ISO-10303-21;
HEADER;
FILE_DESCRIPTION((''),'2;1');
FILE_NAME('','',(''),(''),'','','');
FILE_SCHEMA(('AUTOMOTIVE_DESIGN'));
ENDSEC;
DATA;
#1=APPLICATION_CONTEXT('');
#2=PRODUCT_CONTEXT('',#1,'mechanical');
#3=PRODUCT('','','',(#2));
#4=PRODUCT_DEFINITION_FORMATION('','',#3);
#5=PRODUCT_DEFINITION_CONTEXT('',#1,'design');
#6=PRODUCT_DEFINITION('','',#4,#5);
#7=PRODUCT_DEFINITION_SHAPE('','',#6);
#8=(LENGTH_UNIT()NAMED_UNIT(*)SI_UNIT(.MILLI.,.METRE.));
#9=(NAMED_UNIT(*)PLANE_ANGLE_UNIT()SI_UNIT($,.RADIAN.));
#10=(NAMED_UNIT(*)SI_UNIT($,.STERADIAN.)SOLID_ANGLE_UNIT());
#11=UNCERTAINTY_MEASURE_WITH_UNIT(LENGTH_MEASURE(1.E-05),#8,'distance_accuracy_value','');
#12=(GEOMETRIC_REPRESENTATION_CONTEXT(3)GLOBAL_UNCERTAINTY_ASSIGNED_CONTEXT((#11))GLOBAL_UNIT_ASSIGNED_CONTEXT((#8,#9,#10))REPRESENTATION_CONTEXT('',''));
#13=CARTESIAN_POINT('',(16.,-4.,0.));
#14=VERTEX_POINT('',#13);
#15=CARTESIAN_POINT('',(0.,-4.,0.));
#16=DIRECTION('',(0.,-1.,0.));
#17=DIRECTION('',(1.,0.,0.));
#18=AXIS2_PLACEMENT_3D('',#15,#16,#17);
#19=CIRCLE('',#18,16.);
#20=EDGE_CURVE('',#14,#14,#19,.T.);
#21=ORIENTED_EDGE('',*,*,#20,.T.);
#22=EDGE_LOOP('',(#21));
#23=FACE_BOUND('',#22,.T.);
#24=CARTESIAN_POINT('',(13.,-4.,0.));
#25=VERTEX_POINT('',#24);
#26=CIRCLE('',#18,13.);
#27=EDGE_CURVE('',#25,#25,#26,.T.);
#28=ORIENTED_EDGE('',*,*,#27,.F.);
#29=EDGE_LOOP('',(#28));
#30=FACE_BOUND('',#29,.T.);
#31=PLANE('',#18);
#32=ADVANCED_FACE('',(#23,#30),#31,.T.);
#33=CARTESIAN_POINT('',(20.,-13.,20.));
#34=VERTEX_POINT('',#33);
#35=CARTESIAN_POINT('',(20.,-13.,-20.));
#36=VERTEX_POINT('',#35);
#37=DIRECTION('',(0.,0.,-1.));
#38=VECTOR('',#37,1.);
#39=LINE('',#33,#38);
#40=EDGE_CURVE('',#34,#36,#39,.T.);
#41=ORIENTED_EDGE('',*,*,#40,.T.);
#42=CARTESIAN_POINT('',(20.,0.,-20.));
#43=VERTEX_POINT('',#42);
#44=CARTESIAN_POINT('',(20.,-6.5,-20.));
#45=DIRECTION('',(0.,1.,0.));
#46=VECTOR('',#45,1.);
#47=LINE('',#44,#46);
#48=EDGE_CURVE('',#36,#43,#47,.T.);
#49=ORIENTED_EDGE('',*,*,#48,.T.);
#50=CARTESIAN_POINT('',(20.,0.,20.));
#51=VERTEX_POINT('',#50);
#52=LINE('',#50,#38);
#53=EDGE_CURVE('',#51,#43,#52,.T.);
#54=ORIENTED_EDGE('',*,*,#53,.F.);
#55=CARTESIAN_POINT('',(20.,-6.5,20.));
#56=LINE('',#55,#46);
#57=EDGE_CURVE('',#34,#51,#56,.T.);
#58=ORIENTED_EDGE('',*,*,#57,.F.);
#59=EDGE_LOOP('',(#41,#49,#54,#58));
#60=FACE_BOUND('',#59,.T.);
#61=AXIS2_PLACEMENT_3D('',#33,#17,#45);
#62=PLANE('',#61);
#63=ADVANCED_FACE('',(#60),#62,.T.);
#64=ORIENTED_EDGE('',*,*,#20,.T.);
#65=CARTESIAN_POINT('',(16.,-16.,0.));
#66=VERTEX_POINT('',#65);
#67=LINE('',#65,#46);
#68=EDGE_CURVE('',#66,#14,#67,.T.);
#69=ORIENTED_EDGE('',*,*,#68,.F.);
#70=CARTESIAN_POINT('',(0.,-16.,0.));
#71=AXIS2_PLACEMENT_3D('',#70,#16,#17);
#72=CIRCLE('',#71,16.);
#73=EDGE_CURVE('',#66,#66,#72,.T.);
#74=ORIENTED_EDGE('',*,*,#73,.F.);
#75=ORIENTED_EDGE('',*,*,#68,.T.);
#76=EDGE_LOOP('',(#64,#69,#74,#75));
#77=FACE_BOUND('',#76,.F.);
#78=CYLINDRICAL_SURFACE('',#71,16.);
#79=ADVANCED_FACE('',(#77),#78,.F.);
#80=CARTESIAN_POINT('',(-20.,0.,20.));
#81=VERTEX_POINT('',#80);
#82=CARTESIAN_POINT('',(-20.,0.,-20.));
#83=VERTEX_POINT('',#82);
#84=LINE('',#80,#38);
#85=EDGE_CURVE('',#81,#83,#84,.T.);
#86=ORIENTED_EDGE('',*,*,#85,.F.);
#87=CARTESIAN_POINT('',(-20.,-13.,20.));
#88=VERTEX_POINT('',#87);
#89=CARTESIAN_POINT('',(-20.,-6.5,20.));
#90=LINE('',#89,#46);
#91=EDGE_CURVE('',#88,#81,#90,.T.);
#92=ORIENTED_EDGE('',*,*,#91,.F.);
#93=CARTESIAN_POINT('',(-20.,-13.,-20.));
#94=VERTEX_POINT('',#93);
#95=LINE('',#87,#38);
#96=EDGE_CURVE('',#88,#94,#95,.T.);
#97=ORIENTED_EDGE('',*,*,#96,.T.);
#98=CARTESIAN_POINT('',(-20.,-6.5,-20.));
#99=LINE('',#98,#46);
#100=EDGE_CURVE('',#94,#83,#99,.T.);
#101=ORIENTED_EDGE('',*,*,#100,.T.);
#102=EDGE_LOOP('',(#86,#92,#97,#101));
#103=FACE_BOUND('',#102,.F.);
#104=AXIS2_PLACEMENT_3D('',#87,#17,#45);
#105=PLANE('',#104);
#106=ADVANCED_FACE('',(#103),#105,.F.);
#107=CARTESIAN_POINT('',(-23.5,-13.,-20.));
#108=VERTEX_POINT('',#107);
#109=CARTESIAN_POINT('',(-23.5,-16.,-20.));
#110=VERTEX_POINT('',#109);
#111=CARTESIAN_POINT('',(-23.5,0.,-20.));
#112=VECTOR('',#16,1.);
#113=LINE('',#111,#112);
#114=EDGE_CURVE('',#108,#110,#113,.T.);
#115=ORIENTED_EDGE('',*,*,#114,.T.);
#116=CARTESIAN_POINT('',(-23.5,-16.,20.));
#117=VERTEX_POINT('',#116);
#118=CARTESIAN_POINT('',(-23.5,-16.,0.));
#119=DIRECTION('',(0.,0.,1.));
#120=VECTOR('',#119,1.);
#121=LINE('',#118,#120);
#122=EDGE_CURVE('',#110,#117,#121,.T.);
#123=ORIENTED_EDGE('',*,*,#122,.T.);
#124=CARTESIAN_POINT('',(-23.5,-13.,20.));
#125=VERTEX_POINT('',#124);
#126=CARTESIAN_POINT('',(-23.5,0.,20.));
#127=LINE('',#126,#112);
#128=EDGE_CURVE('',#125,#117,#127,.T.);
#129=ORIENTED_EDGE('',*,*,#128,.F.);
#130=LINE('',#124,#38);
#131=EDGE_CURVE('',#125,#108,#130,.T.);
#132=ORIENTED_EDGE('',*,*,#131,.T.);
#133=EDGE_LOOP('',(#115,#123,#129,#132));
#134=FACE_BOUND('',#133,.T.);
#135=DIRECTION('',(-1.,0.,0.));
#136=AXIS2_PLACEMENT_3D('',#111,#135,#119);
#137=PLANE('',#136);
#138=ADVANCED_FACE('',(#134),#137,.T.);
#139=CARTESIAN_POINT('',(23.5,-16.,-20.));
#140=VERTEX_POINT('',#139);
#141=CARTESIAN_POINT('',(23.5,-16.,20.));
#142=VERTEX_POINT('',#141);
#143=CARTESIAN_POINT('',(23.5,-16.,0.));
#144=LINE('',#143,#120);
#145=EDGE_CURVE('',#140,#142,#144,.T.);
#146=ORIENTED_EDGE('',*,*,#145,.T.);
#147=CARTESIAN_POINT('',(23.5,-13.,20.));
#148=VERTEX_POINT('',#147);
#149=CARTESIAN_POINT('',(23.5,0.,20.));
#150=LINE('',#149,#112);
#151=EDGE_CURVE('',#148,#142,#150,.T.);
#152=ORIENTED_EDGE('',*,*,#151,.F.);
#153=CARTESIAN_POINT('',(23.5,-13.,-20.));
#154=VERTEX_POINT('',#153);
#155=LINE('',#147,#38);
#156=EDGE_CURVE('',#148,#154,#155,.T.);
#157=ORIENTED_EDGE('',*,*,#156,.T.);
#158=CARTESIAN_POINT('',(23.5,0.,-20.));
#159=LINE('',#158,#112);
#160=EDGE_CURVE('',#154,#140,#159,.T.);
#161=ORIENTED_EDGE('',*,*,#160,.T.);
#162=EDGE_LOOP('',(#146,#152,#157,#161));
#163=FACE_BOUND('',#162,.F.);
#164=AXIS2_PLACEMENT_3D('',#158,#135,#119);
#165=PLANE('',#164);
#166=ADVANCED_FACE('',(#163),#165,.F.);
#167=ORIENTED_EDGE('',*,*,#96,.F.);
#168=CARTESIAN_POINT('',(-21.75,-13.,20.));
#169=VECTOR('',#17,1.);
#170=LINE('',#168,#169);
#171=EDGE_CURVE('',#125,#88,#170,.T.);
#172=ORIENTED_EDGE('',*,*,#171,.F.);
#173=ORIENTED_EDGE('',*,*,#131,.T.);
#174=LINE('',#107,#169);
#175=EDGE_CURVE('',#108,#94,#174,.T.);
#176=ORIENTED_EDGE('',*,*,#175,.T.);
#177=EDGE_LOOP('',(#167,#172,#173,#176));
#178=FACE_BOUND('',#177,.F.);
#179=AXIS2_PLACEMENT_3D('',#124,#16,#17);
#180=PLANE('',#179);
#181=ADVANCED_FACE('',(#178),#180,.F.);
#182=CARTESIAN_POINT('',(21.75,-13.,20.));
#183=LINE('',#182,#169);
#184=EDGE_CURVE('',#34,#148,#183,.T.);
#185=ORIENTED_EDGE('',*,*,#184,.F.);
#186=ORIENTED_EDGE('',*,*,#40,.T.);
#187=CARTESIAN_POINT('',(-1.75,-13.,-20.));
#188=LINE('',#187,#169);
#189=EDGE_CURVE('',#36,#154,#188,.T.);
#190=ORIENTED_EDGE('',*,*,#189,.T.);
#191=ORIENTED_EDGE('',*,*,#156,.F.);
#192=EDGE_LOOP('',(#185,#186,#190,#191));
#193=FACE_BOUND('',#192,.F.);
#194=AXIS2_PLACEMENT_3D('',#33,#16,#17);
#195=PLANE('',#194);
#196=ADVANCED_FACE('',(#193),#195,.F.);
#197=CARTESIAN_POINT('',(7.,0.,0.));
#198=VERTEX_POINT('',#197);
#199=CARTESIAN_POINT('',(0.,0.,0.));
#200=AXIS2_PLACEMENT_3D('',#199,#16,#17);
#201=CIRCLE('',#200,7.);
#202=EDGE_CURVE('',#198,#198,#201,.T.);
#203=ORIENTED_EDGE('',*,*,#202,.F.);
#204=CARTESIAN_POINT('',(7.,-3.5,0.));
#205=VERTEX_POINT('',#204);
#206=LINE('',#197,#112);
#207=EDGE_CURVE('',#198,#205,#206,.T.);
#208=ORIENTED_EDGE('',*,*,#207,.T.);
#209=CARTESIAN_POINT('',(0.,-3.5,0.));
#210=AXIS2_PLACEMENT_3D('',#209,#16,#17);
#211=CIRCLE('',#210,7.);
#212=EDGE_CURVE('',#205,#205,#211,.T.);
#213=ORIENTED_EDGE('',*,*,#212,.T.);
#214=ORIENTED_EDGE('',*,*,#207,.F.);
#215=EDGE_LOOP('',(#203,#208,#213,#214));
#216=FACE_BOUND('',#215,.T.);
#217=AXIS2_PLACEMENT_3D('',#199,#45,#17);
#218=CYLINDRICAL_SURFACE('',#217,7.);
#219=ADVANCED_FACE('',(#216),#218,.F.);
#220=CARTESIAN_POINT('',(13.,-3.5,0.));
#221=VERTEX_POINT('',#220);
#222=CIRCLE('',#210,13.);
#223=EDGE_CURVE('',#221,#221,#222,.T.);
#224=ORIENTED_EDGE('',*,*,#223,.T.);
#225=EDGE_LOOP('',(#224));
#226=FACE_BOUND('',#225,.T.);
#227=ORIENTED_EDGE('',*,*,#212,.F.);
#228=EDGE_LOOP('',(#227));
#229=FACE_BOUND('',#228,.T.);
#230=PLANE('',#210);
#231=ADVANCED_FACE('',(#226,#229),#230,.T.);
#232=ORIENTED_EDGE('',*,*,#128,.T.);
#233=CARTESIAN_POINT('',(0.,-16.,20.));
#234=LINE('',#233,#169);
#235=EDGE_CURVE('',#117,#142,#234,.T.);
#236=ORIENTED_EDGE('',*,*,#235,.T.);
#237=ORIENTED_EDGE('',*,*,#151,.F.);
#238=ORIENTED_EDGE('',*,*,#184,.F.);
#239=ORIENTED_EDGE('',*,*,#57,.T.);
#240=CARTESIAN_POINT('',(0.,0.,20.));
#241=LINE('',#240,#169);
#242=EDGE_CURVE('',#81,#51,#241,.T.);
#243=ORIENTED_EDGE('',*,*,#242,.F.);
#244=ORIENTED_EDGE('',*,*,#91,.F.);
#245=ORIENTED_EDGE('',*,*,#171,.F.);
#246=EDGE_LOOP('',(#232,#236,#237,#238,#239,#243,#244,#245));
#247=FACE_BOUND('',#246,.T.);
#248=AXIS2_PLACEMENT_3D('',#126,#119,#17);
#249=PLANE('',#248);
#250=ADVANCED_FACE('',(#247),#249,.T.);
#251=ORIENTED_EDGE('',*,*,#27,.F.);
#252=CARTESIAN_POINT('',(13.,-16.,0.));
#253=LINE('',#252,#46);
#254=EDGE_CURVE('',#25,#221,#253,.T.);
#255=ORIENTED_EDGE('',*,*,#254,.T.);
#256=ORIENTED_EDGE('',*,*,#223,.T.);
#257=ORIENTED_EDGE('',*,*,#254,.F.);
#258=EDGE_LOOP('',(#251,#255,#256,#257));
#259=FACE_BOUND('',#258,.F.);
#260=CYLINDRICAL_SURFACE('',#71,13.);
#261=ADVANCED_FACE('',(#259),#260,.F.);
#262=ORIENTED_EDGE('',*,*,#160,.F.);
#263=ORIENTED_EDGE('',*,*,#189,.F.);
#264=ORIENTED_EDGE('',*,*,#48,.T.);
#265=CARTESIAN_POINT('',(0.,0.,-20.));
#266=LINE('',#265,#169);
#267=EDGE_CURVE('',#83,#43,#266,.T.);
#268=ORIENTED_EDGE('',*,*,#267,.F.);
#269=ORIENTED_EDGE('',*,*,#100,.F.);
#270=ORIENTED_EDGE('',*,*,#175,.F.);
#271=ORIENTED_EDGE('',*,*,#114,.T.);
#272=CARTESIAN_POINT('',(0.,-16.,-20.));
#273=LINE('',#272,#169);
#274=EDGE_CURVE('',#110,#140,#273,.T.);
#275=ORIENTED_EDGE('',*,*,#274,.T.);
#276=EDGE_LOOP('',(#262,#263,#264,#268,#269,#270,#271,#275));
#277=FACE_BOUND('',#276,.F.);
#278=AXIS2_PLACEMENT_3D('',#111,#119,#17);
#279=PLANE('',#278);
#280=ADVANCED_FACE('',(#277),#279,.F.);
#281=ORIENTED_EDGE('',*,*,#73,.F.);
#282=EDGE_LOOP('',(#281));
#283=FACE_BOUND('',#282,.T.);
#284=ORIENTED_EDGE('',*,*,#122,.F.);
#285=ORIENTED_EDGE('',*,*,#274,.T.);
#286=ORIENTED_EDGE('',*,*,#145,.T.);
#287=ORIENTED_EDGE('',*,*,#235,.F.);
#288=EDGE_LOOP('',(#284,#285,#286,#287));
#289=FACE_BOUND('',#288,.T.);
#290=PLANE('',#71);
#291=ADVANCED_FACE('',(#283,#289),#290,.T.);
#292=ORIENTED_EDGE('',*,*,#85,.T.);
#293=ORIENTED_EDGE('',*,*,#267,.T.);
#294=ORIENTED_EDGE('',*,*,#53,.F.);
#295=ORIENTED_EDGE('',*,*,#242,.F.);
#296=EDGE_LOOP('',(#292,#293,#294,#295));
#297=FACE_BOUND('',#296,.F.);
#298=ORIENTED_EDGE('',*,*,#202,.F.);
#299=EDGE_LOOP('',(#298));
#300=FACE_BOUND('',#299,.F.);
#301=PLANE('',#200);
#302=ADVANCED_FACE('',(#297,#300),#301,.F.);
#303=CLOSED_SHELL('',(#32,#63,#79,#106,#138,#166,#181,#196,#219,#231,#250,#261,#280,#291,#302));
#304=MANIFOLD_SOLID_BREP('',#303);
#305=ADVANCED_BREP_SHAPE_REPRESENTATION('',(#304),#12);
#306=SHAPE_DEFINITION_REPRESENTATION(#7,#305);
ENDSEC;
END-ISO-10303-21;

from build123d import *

# Parameters (mm, degrees)
F0_W     = 47
F0_H     = 40
F0_R     = 7
F1_DEPTH = 16
F2_W     = 3.5
F2_H     = 13
F3_DEPTH = 40.001
F4_R     = 13
F4_R_2   = 7
F5_DEPTH = 12.5
F6_R     = 16
F6_R_2   = 13
F7_DEPTH = 12


with BuildPart() as f1:
    # F0 (on Front) → F1 (new body)
    with BuildSketch(Plane.XZ):
        Rectangle(F0_W, F0_H)
        Circle(F0_R, mode=Mode.SUBTRACT)
    extrude(amount=F1_DEPTH)

    # F2 (on face) → F3 (cut, through all)
    with BuildSketch(Plane.XY.offset(20)):
        with Locations((-21.75, -6.5)):
            Rectangle(F2_W, F2_H)
        with Locations((21.75, -6.5)):
            Rectangle(F2_W, F2_H)
    extrude(amount=-F3_DEPTH, mode=Mode.SUBTRACT)

    # F4 (on face) → F5 (cut)
    with BuildSketch(Plane.XZ.offset(16)):
        Circle(F4_R)
        Circle(F4_R_2, mode=Mode.SUBTRACT)
    extrude(amount=-F5_DEPTH, mode=Mode.SUBTRACT)

    # F6 (on face) → F7 (cut)
    with BuildSketch(Plane.XZ.offset(16)):
        Circle(F6_R)
        Circle(F6_R_2, mode=Mode.SUBTRACT)
    extrude(amount=-F7_DEPTH, mode=Mode.SUBTRACT)


solid = f1.part
